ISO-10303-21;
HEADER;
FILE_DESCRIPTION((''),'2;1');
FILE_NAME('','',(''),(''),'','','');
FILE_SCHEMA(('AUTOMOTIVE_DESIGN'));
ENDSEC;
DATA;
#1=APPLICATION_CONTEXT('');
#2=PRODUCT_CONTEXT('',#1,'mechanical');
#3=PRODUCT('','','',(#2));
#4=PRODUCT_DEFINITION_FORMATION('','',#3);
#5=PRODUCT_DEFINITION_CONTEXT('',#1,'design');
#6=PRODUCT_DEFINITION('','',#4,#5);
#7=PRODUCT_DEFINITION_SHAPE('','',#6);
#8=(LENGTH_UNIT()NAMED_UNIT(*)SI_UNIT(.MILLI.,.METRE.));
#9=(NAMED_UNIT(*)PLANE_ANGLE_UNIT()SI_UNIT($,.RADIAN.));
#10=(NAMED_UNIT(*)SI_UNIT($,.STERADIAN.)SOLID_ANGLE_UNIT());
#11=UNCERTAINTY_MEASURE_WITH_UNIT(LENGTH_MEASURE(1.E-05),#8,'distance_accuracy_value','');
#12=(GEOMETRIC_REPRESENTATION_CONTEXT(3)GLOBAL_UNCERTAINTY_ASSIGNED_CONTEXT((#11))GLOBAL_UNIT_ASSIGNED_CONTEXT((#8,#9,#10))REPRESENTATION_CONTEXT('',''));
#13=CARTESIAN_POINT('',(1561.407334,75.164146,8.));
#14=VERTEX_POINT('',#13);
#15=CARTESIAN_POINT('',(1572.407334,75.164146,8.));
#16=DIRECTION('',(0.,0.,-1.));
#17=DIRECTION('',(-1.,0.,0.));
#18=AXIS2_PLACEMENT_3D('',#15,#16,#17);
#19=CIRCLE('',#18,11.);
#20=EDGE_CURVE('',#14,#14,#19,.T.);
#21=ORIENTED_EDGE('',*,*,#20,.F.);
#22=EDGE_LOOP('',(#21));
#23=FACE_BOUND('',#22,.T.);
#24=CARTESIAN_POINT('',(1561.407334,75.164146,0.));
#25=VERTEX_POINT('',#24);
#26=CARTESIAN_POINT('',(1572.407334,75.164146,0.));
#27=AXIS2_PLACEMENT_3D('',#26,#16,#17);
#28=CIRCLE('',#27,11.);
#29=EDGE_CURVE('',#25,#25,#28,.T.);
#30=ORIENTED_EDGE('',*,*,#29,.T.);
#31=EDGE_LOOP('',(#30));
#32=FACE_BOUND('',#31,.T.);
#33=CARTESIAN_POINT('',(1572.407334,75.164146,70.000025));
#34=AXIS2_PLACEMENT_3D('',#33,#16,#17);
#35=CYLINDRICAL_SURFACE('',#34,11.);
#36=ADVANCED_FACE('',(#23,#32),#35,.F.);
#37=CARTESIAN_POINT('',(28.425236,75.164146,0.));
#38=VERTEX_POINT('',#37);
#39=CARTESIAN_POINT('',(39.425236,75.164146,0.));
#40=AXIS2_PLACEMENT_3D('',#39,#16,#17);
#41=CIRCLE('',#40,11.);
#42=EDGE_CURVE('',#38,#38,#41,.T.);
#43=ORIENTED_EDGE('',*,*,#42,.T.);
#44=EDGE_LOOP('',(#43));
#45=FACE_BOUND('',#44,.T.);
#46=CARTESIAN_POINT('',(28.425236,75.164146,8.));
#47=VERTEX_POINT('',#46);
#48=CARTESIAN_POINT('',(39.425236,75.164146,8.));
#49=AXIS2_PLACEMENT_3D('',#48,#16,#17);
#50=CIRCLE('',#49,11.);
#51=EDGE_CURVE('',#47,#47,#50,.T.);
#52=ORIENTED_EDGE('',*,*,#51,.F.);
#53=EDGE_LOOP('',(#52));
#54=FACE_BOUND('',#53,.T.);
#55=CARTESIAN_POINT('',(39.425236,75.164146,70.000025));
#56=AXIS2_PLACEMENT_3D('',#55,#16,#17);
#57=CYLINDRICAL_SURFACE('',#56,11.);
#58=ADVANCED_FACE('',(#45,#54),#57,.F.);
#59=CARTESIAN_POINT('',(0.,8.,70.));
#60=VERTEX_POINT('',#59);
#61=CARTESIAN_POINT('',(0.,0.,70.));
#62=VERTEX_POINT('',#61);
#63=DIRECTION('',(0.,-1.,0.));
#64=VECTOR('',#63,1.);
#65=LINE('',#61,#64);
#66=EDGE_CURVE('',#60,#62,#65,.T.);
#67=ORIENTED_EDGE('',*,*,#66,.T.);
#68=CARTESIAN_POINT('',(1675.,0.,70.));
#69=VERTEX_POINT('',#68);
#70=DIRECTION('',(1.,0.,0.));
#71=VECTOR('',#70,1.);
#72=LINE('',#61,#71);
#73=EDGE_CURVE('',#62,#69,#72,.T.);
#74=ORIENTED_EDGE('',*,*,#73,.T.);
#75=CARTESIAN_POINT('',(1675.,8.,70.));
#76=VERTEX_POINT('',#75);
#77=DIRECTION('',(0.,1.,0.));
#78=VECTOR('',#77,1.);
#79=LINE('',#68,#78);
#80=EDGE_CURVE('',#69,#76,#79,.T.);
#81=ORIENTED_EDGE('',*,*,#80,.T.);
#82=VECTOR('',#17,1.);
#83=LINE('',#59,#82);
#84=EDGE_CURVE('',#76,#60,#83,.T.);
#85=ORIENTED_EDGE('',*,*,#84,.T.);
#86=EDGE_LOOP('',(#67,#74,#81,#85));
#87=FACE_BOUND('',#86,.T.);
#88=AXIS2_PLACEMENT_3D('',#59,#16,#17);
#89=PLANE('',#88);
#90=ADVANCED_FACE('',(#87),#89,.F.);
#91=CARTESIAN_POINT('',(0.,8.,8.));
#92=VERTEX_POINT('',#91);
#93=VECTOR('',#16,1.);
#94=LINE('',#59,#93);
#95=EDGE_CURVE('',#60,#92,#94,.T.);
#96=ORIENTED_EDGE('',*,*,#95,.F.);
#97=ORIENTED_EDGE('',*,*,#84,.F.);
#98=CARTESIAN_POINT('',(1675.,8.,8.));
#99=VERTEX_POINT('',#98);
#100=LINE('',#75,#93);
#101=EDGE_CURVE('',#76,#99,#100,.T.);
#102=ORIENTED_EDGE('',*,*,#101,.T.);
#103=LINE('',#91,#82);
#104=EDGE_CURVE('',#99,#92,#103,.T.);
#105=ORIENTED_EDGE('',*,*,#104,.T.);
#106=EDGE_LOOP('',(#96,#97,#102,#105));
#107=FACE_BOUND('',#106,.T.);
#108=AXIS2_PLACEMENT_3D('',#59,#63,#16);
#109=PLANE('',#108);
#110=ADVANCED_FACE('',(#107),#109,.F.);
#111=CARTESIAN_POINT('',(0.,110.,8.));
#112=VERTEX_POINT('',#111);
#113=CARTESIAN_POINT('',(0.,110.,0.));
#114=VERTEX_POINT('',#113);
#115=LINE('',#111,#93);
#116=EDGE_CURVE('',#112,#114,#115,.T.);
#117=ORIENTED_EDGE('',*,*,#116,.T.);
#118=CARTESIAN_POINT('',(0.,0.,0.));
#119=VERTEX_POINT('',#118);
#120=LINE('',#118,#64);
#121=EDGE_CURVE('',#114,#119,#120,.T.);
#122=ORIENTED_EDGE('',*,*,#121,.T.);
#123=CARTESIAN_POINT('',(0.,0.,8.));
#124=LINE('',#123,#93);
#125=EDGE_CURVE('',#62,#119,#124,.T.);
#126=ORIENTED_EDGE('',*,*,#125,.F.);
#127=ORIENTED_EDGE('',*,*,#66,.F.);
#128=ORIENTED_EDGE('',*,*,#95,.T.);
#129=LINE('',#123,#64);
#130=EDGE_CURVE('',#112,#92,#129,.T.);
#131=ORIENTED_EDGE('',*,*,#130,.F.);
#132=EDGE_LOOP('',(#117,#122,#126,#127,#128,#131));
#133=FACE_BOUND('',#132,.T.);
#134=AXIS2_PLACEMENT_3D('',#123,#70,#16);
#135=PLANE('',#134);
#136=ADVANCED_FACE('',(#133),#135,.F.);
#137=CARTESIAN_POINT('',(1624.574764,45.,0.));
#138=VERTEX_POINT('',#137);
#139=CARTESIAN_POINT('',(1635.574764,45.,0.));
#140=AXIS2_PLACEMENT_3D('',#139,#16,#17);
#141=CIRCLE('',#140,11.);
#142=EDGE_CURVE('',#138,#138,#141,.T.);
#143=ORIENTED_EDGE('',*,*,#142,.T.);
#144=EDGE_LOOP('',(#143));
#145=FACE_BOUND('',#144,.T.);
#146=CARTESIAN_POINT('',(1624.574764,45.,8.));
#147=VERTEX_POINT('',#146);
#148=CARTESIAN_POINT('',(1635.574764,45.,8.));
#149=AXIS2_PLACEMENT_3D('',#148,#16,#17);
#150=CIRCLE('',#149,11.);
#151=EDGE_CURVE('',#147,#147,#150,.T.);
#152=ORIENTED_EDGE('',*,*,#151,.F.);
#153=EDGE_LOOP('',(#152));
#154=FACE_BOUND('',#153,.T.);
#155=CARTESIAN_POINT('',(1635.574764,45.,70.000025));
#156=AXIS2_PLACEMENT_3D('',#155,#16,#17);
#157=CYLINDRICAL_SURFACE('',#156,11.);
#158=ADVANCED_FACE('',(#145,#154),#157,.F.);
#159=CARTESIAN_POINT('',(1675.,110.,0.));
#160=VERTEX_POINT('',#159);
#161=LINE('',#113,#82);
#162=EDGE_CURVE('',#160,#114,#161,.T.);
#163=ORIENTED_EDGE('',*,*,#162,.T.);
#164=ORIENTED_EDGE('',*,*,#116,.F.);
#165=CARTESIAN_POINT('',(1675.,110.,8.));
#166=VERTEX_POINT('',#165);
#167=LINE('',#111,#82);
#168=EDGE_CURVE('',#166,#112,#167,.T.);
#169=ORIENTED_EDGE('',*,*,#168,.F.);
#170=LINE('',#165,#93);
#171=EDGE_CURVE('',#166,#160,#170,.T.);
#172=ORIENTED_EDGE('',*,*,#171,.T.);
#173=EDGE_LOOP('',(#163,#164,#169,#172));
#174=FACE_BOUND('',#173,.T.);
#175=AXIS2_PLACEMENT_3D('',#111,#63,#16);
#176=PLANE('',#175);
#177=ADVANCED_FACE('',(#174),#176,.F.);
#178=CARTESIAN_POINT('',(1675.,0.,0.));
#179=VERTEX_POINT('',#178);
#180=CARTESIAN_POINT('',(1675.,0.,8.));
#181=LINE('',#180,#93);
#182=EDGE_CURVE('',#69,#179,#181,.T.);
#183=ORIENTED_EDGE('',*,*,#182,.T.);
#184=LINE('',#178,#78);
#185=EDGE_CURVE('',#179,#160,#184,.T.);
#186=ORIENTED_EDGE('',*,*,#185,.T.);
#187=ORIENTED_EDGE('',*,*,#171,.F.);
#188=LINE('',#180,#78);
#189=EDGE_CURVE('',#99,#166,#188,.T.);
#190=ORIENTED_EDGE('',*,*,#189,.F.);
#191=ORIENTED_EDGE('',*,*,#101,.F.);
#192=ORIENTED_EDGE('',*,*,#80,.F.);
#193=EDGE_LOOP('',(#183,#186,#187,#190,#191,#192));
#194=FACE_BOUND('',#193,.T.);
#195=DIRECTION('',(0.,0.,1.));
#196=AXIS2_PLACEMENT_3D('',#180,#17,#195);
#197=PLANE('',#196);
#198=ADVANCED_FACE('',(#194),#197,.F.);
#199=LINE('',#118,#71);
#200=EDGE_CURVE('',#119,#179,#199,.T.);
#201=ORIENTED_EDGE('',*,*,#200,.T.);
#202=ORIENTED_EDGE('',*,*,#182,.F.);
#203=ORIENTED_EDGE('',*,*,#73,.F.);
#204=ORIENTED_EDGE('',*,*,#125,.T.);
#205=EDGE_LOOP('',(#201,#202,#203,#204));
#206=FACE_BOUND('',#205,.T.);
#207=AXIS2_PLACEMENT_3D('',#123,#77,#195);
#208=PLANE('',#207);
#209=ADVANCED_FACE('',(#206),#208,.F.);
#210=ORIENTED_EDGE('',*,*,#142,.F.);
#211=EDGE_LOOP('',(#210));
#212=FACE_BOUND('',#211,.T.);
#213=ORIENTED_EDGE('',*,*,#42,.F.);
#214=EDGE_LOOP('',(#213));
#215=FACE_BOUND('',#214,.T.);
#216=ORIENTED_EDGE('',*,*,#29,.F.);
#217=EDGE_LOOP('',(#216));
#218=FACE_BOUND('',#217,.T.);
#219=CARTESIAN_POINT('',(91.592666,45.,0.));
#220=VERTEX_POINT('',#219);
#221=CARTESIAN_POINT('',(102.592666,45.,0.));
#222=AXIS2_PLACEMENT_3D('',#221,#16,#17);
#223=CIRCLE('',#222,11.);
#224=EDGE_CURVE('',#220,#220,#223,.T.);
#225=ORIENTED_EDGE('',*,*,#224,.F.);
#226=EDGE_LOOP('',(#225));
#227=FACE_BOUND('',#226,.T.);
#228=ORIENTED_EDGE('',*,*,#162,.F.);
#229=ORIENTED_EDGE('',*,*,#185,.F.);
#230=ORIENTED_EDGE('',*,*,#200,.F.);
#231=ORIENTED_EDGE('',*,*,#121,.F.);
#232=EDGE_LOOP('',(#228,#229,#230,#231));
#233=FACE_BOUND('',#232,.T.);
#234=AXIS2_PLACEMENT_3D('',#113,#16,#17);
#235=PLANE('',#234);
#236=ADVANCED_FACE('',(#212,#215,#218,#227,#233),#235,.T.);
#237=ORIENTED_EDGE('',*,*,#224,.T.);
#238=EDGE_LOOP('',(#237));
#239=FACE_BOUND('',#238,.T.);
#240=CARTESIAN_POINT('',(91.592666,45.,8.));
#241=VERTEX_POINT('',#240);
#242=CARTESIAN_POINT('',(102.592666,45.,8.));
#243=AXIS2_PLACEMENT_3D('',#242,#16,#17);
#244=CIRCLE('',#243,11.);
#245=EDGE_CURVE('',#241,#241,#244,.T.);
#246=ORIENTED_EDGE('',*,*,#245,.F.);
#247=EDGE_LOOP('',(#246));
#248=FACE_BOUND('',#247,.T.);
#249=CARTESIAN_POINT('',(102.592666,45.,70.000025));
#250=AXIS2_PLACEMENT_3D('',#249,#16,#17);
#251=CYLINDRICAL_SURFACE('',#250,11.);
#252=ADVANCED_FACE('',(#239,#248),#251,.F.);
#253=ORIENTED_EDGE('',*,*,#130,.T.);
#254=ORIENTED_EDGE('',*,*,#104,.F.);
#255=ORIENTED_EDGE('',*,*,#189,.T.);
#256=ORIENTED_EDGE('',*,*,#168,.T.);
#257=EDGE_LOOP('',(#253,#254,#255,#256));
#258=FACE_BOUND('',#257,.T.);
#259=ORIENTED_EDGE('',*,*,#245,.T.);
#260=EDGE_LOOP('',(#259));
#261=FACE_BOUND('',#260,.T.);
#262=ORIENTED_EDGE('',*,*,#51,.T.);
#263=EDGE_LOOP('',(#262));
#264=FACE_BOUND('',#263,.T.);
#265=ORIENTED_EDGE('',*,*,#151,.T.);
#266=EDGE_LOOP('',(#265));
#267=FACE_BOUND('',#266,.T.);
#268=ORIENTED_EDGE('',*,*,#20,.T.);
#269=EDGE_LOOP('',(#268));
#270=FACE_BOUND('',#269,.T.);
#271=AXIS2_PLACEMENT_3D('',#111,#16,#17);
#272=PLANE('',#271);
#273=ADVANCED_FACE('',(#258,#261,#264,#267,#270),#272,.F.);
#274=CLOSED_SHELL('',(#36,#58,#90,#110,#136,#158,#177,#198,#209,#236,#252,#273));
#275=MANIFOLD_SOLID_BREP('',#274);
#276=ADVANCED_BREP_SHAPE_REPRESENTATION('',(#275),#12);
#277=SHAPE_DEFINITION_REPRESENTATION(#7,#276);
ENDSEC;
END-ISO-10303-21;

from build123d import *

# Parameters (mm, degrees)
SKETCH_1_W          = 1675
SKETCH_1_H          = 110
EXTRUDE_1_DEPTH     = 8
SKETCH_2_W          = 1675
SKETCH_2_H          = 8
EXTRUDE_2_DEPTH     = 62
SKETCH_3_R          = 11
CUT_EXTRUDE_1_DEPTH = 1681.066962951


with BuildPart() as part:
    # 草图1 → 拉伸1 (new body)
    with BuildSketch(Plane.XY):
        with Locations((837.5, 55)):
            Rectangle(SKETCH_1_W, SKETCH_1_H)
    extrude(amount=EXTRUDE_1_DEPTH)

    # 草图2 → 拉伸2 (add)
    with BuildSketch(Plane.XY.offset(8)):
        with Locations((837.5, 4)):
            Rectangle(SKETCH_2_W, SKETCH_2_H)
    extrude(amount=EXTRUDE_2_DEPTH)

    # 草图3 → 切除-拉伸1 (cut, through all)
    with BuildSketch(Plane(origin=(0, 0, 0), x_dir=(-1, 0, 0), z_dir=(0, 0, -1))):
        with Locations((-1635.574764315, 45)):
            Circle(SKETCH_3_R)
        with Locations((-1572.407333755, 75.164146207)):
            Circle(SKETCH_3_R)
        with Locations((-102.592666245, 45)):
            Circle(SKETCH_3_R)
        with Locations((-39.425235685, 75.164146207)):
            Circle(SKETCH_3_R)
    extrude(amount=-CUT_EXTRUDE_1_DEPTH, mode=Mode.SUBTRACT)


solid = part.part
